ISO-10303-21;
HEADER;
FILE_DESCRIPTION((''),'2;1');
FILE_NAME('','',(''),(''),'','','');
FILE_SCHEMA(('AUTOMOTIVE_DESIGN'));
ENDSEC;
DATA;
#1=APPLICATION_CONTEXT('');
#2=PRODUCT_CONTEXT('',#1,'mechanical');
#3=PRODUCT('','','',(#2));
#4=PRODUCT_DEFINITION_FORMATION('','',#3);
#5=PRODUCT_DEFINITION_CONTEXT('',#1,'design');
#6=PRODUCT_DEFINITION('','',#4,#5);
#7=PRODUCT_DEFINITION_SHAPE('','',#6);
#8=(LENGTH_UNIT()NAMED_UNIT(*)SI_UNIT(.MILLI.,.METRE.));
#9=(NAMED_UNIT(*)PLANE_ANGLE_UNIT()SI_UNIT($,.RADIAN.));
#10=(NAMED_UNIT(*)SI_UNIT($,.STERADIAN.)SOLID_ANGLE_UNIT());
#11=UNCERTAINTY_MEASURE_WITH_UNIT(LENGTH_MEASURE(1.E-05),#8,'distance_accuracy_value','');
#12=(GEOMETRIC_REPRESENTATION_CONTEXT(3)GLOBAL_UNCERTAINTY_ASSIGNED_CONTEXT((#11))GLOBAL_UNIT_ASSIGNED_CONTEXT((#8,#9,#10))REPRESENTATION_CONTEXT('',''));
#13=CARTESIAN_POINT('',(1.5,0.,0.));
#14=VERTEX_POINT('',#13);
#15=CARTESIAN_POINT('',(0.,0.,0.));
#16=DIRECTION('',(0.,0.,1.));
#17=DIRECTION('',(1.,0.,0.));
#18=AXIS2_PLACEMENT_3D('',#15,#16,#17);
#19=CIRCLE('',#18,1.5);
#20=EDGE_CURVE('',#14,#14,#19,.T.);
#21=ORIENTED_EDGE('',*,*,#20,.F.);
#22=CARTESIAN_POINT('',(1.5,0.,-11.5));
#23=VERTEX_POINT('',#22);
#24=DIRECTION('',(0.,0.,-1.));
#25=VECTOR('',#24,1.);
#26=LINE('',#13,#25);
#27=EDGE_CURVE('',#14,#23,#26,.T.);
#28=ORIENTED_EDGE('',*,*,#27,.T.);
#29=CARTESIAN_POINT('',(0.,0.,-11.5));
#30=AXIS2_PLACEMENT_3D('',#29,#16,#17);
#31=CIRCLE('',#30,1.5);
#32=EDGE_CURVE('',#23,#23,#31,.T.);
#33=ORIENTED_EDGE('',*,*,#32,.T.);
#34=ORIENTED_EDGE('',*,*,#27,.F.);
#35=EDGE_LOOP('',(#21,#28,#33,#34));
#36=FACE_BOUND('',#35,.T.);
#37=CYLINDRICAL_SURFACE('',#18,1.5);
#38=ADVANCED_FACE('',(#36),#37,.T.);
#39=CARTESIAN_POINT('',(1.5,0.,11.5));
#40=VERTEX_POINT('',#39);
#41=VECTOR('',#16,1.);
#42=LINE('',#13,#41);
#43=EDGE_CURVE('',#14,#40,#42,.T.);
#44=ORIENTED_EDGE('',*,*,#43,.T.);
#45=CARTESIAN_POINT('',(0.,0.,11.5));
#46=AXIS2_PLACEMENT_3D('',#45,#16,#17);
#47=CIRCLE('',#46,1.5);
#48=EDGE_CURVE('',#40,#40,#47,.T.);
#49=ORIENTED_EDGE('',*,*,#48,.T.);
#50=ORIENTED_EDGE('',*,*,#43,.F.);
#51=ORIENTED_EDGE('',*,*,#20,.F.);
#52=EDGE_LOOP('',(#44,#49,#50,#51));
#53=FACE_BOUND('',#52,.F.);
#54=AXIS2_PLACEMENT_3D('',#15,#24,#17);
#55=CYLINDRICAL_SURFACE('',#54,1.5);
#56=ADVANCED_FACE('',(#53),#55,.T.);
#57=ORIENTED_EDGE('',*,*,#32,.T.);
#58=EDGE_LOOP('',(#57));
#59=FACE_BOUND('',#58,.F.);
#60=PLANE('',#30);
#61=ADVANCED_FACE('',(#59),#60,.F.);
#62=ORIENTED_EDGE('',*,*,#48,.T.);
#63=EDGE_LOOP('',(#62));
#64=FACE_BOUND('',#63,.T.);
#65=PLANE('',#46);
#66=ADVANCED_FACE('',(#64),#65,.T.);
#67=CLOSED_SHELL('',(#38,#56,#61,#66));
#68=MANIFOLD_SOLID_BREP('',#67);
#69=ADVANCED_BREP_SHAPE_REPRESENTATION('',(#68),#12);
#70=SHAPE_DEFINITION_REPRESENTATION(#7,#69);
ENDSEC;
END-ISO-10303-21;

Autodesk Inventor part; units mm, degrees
ref_plane "YZ Plane" through (0, 0, 0) normal (1, 0, 0) x (0, 1, 0)
ref_plane "XZ Plane" through (0, 0, 0) normal (0, 1, 0) x (-1, 0, 0)
ref_plane "XY Plane" through (0, 0, 0) normal (0, 0, 1) x (1, 0, 0)
sketch "Sketch1" plane through (0, 0, 0) normal (0, 0, 1) x (1, 0, 0)
  circle A0 centre (0, 0) radius 1.5
  dimension "d0" = 3
extrude "Extrusion1" add sketch "Sketch1" along normal mid plane 23
properties part number "RollerAxle"
